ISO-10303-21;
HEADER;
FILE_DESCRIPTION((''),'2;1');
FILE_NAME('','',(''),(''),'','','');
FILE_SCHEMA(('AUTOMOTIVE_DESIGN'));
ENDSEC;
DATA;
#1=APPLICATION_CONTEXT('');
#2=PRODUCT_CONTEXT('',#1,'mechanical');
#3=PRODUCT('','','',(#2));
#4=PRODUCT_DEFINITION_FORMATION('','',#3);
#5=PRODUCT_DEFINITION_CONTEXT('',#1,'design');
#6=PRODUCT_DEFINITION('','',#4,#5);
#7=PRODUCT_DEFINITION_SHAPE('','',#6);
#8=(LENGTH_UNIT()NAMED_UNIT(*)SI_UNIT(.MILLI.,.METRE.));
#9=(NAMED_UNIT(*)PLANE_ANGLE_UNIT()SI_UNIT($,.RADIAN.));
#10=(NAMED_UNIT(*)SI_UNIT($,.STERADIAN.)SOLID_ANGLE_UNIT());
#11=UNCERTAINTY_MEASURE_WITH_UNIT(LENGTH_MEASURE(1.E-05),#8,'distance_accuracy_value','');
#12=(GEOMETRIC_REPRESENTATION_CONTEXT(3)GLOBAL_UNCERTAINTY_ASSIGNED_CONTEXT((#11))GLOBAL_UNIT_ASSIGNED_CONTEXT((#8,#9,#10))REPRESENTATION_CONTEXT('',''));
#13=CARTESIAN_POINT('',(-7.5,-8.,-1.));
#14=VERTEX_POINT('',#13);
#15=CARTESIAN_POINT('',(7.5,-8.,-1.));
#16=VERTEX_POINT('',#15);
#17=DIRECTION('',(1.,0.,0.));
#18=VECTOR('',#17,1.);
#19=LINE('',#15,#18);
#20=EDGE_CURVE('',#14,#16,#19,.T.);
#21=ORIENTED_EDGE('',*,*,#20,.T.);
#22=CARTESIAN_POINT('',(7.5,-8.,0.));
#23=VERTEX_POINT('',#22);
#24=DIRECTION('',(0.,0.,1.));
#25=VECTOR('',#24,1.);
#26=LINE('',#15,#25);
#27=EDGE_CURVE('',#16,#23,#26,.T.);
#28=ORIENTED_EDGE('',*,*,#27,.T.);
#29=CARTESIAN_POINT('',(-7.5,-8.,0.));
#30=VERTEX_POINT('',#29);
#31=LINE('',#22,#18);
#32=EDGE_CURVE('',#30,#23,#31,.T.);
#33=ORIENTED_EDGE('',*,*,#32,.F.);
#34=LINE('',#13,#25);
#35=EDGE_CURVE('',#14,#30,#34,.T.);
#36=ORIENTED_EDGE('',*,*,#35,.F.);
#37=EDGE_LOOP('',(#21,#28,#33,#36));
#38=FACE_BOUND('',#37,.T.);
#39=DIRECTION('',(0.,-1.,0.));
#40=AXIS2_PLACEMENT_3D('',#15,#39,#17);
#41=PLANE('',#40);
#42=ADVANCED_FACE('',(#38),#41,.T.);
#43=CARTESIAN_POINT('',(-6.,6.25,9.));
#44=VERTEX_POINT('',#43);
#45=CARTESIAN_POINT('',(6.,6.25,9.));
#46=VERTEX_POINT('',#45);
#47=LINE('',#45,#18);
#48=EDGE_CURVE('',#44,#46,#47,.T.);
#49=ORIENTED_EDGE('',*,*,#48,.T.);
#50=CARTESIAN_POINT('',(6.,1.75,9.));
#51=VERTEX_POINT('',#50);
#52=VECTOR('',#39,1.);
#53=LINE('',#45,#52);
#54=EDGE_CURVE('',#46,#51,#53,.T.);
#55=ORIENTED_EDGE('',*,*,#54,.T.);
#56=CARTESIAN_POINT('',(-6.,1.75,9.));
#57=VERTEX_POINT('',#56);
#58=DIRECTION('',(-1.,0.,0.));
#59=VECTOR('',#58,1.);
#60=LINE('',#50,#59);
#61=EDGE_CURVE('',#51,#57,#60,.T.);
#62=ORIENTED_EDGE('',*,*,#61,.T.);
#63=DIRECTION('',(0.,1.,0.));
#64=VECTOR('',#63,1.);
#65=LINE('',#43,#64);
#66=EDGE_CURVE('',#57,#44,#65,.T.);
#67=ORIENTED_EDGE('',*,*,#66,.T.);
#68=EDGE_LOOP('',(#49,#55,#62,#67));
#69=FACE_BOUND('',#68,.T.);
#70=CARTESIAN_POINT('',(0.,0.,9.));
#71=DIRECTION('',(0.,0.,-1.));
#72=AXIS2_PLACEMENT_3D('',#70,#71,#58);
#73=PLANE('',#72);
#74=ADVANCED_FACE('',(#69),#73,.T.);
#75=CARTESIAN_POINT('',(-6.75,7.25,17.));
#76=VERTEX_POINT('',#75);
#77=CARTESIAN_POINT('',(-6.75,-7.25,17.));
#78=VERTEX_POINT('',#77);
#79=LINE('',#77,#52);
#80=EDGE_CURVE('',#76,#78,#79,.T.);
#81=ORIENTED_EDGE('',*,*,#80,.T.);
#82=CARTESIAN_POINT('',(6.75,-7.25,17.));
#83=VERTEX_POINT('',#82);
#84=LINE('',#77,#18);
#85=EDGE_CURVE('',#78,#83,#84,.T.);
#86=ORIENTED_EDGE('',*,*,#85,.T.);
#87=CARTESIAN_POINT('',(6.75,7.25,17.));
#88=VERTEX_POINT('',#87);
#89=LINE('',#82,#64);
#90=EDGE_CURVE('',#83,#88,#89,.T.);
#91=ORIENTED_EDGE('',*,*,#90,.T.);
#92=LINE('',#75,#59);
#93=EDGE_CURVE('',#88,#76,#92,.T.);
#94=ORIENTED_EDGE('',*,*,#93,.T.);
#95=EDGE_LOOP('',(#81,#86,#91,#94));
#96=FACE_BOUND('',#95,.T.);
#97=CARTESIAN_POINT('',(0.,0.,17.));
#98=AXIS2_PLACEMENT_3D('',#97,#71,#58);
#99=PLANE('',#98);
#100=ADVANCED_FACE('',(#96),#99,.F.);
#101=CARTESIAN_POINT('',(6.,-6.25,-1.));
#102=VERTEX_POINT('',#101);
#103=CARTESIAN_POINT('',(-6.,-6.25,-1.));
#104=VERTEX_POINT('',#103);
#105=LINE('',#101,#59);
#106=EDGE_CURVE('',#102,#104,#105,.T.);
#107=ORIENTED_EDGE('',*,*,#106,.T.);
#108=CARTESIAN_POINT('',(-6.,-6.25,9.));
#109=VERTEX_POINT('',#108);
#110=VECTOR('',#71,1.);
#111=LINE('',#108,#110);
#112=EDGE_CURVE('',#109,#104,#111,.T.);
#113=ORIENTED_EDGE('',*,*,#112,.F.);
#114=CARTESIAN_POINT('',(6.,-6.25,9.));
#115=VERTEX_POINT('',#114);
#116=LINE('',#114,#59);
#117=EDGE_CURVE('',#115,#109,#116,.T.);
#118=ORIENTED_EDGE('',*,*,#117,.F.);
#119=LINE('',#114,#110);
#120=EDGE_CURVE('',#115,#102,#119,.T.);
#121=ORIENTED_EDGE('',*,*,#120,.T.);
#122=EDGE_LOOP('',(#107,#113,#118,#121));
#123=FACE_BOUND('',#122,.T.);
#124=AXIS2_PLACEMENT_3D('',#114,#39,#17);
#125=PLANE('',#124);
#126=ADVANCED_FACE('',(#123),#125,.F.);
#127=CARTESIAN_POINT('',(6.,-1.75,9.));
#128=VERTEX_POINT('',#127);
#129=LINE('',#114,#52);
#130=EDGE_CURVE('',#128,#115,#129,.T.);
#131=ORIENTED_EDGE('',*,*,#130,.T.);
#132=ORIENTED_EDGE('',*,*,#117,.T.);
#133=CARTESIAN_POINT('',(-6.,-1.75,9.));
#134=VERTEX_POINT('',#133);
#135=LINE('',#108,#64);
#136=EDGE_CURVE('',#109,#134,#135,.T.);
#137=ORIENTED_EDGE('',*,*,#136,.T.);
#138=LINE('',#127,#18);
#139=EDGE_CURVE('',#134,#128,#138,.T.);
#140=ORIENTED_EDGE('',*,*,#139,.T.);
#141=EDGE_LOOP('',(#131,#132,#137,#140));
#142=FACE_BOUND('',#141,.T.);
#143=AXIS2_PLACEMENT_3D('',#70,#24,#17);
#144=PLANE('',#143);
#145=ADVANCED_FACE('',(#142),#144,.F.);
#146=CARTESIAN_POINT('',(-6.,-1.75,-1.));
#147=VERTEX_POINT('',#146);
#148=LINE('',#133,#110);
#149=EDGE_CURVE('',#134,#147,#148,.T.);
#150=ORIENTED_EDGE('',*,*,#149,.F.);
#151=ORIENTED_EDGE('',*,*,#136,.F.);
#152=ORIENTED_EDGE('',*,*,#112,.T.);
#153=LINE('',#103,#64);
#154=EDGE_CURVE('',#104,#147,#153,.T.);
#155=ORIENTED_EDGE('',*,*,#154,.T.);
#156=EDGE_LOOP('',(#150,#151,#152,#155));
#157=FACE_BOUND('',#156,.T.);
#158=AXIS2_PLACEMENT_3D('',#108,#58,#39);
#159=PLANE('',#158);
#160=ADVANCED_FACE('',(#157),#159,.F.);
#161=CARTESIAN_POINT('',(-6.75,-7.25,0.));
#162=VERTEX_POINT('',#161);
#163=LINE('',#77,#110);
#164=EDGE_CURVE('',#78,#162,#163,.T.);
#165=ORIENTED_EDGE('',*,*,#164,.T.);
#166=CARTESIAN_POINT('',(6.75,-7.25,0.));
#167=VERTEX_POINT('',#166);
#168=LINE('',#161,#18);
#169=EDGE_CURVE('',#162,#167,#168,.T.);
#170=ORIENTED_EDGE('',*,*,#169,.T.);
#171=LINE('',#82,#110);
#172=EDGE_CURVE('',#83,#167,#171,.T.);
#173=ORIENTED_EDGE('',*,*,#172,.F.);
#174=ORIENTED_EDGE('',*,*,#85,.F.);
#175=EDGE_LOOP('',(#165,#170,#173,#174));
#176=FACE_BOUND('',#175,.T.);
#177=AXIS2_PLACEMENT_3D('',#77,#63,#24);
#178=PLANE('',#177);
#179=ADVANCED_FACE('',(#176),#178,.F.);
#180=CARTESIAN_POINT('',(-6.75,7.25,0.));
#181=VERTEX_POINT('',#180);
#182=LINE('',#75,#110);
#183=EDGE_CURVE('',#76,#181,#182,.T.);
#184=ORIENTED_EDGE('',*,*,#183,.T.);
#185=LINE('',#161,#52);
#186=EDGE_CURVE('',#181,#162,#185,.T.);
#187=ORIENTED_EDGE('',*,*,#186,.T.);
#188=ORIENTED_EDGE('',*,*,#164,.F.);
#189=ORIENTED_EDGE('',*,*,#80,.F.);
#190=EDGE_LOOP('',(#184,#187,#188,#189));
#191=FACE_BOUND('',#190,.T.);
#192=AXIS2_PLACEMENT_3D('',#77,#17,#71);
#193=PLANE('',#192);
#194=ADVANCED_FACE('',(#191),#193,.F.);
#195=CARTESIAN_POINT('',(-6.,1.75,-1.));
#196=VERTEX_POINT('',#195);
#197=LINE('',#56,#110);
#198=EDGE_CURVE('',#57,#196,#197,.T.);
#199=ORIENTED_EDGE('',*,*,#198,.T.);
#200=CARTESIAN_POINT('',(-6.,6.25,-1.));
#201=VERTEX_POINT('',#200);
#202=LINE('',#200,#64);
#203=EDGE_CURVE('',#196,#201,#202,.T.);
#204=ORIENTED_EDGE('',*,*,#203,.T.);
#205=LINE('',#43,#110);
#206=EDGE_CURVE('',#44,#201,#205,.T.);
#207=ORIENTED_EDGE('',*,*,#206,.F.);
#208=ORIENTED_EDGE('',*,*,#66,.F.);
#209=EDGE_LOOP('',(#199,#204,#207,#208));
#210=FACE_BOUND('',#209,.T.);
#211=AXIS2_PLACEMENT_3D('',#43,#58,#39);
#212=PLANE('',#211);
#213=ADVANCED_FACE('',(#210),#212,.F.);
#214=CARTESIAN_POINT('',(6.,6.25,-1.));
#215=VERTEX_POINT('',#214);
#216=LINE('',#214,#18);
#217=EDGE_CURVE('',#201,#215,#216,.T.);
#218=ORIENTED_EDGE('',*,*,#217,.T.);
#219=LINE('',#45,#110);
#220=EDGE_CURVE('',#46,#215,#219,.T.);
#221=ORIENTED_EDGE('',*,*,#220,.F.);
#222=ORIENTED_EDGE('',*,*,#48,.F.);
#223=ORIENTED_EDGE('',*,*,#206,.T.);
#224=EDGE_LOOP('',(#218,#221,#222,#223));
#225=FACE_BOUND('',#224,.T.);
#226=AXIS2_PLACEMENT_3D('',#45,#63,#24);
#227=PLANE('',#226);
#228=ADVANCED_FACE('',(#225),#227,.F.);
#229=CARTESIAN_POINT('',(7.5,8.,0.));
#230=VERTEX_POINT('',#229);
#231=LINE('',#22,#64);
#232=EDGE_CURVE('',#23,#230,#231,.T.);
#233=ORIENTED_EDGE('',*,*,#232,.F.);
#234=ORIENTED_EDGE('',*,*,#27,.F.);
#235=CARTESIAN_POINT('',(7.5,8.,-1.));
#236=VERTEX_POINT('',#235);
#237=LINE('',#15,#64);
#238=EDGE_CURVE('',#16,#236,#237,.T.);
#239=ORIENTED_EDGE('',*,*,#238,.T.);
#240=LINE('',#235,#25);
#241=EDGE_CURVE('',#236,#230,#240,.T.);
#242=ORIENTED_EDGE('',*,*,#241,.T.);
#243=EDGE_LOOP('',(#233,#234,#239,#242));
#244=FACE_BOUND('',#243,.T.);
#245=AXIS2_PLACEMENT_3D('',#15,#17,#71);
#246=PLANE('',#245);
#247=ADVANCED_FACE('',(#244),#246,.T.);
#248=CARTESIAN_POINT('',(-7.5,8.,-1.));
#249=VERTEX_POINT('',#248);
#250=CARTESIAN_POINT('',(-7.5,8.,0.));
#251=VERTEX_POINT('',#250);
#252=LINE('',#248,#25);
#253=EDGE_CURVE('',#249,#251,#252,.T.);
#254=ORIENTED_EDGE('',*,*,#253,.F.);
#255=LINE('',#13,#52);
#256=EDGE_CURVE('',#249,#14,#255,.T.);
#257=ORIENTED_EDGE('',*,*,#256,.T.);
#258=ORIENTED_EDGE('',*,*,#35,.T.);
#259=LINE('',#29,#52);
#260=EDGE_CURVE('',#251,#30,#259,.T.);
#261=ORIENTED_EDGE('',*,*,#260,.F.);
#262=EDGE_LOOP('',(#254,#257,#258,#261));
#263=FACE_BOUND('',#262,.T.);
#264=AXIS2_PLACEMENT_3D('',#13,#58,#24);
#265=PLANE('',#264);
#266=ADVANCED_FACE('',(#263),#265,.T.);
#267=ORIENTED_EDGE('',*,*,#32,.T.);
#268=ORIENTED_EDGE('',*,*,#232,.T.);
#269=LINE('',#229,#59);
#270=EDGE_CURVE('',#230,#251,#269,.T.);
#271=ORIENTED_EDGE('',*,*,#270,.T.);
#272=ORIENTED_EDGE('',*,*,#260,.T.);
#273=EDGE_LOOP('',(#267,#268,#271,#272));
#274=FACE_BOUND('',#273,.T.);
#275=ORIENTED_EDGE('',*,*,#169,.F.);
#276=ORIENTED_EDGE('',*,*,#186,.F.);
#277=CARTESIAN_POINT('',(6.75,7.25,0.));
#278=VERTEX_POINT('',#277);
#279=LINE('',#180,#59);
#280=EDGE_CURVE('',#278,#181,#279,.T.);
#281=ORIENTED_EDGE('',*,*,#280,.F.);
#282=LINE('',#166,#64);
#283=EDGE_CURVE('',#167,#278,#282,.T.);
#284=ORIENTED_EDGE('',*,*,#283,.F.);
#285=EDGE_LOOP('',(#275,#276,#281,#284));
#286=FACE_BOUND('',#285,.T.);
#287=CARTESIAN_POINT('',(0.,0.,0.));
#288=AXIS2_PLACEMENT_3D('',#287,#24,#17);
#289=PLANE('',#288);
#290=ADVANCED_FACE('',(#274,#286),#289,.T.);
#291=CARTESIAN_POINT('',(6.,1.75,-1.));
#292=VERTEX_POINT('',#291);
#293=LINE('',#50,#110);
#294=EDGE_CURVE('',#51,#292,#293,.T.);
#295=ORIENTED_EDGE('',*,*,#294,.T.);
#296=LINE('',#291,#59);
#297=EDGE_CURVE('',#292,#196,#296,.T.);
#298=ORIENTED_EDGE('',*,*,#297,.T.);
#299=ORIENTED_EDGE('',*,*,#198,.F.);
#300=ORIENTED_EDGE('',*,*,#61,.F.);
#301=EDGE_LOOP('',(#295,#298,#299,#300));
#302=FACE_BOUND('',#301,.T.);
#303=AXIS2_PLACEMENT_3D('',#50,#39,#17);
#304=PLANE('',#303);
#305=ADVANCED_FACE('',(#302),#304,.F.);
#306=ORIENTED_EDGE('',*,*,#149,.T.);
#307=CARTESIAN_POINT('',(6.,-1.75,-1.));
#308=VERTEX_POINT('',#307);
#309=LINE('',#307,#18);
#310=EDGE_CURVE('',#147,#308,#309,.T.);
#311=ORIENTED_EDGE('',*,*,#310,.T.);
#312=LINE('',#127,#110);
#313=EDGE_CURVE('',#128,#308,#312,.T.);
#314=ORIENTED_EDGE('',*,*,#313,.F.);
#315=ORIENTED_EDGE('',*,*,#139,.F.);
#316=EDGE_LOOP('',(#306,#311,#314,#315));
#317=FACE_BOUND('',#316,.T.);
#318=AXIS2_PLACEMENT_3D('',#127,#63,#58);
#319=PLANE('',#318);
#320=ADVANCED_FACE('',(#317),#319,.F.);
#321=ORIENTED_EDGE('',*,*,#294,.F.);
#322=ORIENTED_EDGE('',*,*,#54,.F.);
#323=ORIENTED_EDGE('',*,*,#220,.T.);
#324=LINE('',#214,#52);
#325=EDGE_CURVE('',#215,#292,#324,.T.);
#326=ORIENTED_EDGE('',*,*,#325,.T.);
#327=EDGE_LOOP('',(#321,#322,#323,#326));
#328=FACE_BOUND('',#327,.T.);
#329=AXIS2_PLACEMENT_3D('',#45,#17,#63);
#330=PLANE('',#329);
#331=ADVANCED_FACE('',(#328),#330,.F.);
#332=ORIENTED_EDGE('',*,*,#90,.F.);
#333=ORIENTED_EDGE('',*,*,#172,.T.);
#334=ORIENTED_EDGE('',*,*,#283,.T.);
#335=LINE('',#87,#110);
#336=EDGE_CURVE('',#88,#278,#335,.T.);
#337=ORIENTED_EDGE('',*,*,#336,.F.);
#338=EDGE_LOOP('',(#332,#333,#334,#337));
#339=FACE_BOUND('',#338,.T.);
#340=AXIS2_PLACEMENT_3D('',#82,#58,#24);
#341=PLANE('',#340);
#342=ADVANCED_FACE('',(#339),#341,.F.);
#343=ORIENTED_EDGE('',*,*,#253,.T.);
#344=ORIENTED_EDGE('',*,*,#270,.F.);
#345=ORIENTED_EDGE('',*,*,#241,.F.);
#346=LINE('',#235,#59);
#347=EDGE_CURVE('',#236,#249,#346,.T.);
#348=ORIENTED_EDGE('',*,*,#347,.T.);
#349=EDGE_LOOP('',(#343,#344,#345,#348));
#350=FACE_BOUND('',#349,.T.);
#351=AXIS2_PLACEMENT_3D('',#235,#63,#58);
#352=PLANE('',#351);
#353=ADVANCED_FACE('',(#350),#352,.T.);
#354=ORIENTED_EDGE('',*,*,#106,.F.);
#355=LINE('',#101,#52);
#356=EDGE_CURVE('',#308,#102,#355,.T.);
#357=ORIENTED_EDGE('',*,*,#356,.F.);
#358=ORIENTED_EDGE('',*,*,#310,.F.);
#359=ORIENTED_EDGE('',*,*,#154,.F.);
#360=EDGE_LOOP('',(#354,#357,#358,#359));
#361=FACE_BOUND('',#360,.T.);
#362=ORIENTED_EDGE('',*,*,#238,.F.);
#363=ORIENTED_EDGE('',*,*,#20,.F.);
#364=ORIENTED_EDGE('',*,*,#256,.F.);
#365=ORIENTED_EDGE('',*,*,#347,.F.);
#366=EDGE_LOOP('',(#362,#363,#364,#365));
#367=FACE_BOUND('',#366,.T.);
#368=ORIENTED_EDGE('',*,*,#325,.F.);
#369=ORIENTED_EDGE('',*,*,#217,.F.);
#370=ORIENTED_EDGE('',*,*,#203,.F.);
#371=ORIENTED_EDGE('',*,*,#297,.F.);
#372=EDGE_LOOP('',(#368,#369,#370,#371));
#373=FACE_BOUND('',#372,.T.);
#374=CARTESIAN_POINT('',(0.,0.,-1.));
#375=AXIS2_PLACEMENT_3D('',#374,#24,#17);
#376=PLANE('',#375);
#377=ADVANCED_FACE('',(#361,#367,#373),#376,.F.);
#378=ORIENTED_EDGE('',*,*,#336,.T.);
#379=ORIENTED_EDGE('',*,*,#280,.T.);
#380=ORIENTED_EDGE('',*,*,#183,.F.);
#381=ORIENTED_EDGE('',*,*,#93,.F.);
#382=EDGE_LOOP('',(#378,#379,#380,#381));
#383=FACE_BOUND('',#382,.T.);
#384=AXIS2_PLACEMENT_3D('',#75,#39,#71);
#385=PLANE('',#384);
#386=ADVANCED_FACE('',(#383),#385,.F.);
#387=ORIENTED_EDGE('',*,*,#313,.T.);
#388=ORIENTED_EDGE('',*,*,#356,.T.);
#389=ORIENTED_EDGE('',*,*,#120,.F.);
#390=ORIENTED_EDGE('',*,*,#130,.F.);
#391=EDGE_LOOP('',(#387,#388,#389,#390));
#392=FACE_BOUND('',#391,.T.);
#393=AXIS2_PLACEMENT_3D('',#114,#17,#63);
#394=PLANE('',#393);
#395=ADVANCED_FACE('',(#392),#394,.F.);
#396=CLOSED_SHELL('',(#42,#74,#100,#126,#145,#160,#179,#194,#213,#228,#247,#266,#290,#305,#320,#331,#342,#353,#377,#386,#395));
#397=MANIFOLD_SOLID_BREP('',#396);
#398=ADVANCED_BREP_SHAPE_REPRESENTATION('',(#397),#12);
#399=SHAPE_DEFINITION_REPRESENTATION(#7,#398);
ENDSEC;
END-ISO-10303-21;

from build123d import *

# Parameters (mm, degrees)
SKETCH1_W           = 13.5
SKETCH1_H           = 14.5
BOSS_EXTRUDE1_DEPTH = 17
SKETCH2_W           = 15
SKETCH2_H           = 16
BOSS_EXTRUDE2_DEPTH = 1
SKETCH3_W           = 12
SKETCH3_H           = 4.5
CUT_EXTRUDE1_DEPTH  = 10


with BuildPart() as part:
    # Sketch1 → Boss-Extrude1 (new body)
    with BuildSketch(Plane.XY):
        Rectangle(SKETCH1_W, SKETCH1_H)
    extrude(amount=BOSS_EXTRUDE1_DEPTH)

    # Sketch2 → Boss-Extrude2 (add)
    with BuildSketch(Plane.XY):
        Rectangle(SKETCH2_W, SKETCH2_H)
    extrude(amount=-BOSS_EXTRUDE2_DEPTH)

    # Sketch3 → Cut-Extrude1 (cut)
    with BuildSketch(Plane(origin=(0, 0, -1), x_dir=(-1, 0, 0), z_dir=(0, 0, -1))):
        with Locations((0, 4)):
            Rectangle(SKETCH3_W, SKETCH3_H)
        with Locations((0, -4)):
            Rectangle(SKETCH3_W, SKETCH3_H)
    extrude(amount=-CUT_EXTRUDE1_DEPTH, mode=Mode.SUBTRACT)


solid = part.part
